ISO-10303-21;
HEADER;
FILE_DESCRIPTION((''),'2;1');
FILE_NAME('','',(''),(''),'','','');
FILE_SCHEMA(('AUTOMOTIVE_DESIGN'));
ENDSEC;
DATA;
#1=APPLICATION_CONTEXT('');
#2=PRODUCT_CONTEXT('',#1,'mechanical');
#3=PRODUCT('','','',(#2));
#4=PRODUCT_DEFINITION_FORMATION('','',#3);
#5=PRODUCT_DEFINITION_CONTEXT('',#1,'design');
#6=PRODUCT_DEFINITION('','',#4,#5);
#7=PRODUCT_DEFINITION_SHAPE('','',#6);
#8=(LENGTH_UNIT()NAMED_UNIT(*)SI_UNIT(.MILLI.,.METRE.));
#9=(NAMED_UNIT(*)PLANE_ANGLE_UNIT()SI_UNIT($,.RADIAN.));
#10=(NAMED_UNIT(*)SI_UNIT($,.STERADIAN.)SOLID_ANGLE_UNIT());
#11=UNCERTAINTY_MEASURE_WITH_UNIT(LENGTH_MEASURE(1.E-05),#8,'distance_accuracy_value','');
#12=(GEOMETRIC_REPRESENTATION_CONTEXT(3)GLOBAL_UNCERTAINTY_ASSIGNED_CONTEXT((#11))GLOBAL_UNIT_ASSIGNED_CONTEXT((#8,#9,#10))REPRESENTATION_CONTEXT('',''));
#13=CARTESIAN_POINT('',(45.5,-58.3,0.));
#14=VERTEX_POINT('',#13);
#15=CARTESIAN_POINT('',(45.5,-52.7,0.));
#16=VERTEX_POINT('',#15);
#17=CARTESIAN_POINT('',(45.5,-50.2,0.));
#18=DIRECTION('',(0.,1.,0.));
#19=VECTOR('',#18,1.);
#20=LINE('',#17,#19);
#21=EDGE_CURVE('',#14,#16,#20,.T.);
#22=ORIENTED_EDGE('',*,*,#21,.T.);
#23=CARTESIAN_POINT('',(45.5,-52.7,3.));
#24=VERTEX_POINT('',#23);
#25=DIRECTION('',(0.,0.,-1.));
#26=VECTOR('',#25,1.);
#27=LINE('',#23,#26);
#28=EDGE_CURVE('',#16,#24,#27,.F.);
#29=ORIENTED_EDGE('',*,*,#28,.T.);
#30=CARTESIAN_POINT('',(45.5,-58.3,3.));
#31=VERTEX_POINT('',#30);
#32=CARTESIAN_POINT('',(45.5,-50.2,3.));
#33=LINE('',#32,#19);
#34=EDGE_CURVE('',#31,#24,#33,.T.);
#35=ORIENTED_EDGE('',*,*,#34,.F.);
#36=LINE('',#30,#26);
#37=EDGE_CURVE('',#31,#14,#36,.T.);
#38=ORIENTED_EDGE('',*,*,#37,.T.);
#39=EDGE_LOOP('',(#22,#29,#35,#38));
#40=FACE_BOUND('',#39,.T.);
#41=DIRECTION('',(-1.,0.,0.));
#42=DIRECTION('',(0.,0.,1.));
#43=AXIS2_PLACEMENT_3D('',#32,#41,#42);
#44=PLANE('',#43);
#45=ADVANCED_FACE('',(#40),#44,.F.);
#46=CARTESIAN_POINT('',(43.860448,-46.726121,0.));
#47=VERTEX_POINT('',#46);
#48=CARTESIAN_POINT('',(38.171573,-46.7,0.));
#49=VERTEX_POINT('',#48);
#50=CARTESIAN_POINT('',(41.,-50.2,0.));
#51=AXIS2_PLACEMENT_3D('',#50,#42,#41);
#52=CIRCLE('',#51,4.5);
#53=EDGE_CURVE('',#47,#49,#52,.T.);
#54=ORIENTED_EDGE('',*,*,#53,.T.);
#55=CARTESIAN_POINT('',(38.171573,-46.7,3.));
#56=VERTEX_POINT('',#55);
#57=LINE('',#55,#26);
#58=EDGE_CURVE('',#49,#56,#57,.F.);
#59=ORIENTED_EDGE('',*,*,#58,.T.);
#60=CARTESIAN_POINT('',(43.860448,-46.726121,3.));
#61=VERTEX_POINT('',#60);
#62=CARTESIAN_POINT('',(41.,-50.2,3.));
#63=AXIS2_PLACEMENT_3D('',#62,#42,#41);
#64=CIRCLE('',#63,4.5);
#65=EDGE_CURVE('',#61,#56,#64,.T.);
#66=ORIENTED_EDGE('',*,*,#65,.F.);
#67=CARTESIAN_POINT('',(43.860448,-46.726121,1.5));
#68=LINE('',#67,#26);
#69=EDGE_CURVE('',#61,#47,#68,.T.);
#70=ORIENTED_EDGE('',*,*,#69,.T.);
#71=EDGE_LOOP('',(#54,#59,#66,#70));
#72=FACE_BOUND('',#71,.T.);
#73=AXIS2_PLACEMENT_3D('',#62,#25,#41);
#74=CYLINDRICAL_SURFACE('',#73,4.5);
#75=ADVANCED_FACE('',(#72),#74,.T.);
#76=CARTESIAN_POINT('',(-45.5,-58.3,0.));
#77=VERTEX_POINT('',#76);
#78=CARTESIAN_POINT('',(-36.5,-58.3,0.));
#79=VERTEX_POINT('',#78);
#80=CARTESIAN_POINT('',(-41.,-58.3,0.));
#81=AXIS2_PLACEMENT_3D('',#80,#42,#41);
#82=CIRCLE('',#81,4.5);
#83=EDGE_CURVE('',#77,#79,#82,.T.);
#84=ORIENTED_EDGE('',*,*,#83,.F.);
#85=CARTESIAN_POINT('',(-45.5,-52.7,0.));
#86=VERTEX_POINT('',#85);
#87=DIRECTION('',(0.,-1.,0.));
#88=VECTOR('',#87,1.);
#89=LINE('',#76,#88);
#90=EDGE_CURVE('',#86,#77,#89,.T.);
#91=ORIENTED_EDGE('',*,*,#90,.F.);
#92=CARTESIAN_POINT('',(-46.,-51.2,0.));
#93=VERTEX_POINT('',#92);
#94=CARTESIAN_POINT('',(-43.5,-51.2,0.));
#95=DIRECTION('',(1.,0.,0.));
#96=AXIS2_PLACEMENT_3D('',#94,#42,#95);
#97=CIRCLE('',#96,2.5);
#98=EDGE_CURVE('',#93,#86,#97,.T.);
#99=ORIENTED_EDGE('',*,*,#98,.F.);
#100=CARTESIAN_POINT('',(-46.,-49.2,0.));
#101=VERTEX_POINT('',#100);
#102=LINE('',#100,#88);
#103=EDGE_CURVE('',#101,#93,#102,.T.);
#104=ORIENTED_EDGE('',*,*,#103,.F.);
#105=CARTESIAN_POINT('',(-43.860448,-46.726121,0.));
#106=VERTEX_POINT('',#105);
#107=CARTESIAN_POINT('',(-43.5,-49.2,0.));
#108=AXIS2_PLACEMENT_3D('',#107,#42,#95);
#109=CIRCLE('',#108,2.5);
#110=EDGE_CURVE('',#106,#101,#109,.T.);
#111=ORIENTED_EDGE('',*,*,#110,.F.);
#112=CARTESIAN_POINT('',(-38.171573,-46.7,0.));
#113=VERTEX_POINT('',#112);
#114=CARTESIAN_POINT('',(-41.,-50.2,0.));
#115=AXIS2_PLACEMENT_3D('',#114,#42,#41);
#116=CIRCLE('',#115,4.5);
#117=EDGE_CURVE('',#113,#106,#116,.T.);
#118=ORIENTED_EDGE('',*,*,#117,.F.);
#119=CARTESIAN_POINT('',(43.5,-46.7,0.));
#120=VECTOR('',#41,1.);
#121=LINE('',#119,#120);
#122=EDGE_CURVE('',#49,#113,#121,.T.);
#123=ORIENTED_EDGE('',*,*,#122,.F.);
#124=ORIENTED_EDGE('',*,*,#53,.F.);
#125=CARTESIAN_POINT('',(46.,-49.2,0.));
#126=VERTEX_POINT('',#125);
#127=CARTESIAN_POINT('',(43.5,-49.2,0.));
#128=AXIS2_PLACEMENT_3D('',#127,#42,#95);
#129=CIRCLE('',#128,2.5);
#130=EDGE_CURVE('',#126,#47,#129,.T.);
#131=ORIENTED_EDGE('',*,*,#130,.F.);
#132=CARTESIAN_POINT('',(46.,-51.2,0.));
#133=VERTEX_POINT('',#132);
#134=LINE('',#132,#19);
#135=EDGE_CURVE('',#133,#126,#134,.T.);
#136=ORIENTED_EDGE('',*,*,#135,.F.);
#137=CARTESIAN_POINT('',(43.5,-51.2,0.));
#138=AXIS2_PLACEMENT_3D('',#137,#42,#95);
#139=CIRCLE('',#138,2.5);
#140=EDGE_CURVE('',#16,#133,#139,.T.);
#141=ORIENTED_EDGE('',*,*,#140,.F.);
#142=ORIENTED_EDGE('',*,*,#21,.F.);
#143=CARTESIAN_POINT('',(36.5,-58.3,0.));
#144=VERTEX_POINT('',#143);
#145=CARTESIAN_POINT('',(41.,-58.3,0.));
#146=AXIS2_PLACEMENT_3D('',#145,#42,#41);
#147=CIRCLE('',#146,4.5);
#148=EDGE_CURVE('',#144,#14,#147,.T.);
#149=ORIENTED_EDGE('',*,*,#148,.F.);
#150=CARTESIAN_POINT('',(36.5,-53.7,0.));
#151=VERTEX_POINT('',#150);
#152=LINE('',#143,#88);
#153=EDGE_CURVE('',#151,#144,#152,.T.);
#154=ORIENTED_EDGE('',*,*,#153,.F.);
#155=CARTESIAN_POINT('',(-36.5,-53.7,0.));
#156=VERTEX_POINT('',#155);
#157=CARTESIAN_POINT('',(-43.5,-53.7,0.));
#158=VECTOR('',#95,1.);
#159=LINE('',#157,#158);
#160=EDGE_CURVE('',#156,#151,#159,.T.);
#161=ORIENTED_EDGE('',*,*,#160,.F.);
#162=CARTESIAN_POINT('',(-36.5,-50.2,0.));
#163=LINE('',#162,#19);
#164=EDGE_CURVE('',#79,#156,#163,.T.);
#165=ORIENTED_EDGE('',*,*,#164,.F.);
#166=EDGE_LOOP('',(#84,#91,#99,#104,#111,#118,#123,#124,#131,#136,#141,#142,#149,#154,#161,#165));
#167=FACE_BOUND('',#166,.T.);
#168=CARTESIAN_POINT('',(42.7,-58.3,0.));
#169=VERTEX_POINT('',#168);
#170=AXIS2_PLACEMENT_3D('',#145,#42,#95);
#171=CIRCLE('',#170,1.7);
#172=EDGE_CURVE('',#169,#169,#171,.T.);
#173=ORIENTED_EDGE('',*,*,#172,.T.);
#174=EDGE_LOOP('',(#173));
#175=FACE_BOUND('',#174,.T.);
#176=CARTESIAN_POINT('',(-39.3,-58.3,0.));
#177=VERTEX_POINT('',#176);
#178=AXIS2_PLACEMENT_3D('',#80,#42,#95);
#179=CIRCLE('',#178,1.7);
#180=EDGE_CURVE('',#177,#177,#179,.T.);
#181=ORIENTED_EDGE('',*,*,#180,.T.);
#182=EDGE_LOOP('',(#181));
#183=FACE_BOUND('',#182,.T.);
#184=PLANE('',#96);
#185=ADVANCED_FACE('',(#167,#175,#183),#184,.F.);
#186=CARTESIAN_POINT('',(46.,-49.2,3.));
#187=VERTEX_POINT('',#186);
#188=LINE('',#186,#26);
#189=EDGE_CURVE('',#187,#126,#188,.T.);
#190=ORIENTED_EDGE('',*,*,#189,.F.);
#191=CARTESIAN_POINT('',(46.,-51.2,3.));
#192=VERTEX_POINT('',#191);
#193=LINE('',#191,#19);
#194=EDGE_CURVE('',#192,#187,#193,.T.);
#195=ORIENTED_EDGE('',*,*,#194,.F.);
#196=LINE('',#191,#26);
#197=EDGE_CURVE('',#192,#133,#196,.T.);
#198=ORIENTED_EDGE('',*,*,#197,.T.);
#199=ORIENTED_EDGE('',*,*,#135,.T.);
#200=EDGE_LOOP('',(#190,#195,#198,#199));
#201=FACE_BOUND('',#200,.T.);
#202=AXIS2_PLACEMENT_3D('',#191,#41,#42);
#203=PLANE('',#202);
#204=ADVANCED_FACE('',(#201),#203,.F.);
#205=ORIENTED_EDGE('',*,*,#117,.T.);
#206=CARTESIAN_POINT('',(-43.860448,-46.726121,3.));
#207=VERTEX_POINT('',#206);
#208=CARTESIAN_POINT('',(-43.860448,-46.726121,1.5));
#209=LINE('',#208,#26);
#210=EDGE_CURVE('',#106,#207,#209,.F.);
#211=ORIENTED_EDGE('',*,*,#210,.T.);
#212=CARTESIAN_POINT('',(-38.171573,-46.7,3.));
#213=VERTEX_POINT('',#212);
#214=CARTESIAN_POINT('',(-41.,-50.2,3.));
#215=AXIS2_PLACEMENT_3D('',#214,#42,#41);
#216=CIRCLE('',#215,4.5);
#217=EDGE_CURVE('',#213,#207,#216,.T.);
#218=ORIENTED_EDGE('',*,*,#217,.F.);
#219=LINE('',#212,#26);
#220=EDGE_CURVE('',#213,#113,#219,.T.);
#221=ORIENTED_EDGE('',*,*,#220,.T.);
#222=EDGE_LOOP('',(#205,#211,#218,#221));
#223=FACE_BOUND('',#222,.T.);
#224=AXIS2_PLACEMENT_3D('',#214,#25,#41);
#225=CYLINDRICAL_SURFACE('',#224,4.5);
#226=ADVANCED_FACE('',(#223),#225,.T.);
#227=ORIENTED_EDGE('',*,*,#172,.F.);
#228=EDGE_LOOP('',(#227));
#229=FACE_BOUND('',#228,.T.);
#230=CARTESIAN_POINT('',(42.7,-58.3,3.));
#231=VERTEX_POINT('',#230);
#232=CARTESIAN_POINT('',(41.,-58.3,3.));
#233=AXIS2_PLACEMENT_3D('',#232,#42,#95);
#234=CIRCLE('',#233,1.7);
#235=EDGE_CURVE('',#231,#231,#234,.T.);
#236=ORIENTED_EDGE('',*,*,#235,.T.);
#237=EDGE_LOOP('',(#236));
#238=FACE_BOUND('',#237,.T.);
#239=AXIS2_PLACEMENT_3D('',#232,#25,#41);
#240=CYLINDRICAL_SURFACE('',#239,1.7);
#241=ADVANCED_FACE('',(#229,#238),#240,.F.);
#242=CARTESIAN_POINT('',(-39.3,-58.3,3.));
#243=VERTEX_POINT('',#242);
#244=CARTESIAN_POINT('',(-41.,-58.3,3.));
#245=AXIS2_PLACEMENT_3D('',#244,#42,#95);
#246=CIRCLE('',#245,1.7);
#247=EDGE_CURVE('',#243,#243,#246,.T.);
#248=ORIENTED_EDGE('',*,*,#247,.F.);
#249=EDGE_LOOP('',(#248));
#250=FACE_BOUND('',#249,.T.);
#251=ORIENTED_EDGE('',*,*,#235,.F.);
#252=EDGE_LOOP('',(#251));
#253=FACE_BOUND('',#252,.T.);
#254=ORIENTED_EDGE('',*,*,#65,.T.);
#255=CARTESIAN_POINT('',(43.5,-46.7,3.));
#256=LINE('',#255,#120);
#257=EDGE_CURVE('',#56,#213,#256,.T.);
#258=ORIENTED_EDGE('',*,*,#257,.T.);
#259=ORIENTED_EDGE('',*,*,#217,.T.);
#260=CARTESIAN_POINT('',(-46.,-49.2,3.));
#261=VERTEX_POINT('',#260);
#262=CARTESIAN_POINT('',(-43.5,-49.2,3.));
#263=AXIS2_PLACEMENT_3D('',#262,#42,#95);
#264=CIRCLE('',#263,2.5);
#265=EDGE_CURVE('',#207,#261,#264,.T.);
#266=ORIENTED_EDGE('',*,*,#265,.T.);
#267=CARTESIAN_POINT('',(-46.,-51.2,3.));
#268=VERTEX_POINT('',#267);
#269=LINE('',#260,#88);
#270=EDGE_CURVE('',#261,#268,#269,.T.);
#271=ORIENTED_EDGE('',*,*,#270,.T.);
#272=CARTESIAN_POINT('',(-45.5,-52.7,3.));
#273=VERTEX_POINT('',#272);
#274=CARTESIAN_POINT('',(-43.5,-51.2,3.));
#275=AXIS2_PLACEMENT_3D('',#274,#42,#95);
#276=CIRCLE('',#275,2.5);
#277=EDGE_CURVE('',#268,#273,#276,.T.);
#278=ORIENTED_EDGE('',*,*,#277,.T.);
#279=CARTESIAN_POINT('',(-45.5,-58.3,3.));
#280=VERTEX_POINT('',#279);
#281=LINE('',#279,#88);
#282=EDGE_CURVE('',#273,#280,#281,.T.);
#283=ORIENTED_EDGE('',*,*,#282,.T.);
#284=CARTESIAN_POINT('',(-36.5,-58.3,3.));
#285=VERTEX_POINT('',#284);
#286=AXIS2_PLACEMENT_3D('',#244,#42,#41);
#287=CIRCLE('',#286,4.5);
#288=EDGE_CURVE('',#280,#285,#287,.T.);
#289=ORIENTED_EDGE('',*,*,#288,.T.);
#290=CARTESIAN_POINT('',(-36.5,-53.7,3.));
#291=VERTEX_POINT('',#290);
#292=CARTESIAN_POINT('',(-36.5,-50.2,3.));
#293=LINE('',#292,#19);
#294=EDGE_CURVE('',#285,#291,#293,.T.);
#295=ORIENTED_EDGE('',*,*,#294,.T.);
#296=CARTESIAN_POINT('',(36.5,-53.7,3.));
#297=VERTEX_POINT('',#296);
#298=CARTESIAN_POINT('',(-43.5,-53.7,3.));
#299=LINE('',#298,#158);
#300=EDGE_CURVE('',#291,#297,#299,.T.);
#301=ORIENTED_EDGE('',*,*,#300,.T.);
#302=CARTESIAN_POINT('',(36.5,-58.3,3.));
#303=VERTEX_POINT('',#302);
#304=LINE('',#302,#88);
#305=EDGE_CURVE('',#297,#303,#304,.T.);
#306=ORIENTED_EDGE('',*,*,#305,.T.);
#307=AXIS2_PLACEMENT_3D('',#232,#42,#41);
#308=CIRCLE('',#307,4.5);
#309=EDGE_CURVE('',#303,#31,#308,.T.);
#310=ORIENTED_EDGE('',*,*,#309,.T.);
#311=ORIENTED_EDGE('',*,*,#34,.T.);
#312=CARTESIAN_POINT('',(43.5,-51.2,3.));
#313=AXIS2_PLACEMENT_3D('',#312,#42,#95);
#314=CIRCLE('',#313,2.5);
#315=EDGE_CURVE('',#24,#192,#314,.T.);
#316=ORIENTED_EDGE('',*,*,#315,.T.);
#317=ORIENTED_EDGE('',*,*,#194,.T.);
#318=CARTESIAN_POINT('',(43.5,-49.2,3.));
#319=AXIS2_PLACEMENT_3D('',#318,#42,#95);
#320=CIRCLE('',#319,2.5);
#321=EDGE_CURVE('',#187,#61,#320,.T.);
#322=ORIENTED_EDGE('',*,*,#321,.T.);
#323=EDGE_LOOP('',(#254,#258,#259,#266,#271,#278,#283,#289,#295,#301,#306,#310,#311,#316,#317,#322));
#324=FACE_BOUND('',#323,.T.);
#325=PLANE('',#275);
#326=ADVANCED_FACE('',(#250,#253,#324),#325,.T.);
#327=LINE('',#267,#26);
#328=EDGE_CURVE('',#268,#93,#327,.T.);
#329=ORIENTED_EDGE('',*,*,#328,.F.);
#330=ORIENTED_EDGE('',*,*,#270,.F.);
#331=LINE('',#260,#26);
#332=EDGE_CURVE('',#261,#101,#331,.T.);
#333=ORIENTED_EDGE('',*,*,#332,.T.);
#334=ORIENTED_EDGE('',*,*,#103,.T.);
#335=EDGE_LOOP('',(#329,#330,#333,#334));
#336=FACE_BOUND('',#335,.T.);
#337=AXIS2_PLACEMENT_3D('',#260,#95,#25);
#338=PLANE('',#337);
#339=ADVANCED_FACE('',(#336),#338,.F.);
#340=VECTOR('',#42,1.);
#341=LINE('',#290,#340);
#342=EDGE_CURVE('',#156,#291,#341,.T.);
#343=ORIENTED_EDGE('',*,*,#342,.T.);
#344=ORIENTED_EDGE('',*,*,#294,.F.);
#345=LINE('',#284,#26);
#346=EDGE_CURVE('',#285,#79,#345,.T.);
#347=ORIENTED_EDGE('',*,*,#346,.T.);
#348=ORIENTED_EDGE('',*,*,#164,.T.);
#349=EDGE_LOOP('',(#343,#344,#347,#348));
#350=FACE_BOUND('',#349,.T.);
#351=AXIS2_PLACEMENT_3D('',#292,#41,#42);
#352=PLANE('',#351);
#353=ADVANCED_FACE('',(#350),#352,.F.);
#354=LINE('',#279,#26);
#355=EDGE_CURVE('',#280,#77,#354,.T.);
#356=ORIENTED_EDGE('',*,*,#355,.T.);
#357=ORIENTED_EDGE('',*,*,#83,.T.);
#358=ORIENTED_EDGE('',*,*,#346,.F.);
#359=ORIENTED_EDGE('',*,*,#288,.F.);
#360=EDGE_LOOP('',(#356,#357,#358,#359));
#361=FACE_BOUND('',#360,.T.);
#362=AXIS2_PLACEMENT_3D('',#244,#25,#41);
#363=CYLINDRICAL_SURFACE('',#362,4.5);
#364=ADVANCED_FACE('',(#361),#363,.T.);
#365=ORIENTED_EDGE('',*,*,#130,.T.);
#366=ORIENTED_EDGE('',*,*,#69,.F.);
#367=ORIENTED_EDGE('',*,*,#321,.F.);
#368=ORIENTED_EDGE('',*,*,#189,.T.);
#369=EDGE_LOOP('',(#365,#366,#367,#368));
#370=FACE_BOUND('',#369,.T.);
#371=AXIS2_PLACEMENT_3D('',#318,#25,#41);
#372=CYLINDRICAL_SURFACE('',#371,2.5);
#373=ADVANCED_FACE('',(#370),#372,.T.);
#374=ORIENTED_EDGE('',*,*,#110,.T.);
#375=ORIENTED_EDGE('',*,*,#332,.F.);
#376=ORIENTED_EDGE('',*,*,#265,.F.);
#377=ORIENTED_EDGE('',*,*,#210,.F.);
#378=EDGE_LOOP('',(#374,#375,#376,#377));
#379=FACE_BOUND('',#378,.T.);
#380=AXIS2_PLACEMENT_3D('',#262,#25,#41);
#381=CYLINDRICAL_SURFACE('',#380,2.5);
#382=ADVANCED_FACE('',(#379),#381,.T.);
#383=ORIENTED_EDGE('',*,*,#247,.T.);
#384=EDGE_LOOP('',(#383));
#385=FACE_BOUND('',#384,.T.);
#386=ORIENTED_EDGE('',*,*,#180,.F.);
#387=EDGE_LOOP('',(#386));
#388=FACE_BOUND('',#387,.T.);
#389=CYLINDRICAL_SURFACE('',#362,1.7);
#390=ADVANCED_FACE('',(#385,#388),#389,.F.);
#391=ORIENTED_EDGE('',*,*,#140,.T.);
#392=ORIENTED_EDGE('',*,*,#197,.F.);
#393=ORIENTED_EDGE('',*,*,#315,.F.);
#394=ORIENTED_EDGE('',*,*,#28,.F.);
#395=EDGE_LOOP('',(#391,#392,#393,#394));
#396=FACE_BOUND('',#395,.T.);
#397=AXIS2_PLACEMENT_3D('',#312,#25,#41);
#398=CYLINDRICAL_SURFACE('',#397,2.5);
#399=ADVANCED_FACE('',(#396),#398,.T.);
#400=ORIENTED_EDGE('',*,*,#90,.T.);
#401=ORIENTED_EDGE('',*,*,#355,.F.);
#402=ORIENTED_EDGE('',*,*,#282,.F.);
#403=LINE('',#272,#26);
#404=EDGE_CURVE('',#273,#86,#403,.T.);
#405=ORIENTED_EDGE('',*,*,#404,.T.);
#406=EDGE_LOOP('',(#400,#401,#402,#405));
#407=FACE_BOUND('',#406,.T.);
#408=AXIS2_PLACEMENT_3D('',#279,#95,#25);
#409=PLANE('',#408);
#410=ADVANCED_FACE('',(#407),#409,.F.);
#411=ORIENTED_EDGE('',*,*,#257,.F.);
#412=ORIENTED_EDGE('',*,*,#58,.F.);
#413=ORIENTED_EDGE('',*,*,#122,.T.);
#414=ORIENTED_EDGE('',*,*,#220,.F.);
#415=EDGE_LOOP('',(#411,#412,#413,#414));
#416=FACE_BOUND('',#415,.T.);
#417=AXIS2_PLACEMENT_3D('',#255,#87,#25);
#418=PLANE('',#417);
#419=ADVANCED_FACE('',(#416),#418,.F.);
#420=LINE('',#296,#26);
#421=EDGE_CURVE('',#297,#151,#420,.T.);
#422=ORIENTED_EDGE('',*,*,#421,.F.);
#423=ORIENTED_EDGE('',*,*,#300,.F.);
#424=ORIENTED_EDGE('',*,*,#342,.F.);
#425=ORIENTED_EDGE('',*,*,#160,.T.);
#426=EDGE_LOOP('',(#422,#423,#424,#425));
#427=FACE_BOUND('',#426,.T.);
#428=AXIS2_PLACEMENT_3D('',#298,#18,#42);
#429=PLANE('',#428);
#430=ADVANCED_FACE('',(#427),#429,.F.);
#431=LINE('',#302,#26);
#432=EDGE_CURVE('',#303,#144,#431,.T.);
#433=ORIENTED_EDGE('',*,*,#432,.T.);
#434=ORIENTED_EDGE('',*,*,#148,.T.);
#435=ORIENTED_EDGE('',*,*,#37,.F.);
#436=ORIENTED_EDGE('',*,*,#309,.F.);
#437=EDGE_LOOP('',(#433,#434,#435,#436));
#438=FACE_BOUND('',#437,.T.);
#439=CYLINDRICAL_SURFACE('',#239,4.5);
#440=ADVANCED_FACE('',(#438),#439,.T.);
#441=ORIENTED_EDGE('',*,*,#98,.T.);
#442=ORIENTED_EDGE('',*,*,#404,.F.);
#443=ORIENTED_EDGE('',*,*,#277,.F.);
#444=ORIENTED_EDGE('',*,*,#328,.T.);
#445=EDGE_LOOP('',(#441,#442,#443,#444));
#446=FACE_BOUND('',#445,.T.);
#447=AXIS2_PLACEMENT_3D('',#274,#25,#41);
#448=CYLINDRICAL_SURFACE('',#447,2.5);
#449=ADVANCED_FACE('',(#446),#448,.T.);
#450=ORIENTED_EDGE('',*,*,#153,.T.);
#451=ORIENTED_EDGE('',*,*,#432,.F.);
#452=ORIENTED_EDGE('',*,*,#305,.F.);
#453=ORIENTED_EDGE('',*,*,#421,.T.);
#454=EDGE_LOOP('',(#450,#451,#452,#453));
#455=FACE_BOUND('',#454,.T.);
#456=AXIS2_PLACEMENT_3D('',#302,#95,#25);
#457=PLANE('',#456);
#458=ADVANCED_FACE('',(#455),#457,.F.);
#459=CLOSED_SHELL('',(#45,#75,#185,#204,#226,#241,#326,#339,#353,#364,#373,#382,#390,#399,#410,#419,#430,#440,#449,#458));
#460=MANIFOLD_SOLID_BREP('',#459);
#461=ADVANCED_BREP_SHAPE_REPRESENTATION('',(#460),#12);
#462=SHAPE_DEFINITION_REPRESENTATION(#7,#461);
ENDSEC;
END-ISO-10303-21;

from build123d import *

# Parameters (mm, degrees)
F_01_REMOVABLE_UPPER_CROSSBAR_DEPTH = 3
S02_FASTENING_LUG_0_R               = 1.7
F_02_FASTENING_LUG_0_DEPTH          = 3
S03_FASTENING_LUG_1_R               = 1.7
F_03_FASTENING_LUG_1_DEPTH          = 3


with BuildPart() as part:
    # S01 - Removable upper crossbar → 01 - Removable upper crossbar (new body)
    with BuildSketch(Plane.XY):
        with BuildLine():
            Line((-43.5, -53.7), (43.5, -53.7))
            ThreePointArc((43.5, -53.7), (45.267766953, -52.967766953), (46, -51.2))
            Line((46, -51.2), (46, -49.2))
            ThreePointArc((46, -49.2), (45.267766953, -47.432233047), (43.5, -46.7))
            Line((43.5, -46.7), (-43.5, -46.7))
            ThreePointArc((-43.5, -46.7), (-45.267766953, -47.432233047), (-46, -49.2))
            Line((-46, -49.2), (-46, -51.2))
            ThreePointArc((-46, -51.2), (-45.267766953, -52.967766953), (-43.5, -53.7))
        make_face()
    extrude(amount=F_01_REMOVABLE_UPPER_CROSSBAR_DEPTH)

    # S02 - Fastening lug 0 → 02 - Fastening lug 0 (add)
    with BuildSketch(Plane.XY):
        with BuildLine():
            Line((-45.5, -58.3), (-45.5, -50.2))
            ThreePointArc((-45.5, -50.2), (-41, -45.7), (-36.5, -50.2))
            Line((-36.5, -50.2), (-36.5, -58.3))
            ThreePointArc((-36.5, -58.3), (-41, -62.8), (-45.5, -58.3))
        make_face()
        with Locations((-41, -58.3)):
            Circle(S02_FASTENING_LUG_0_R, mode=Mode.SUBTRACT)
    extrude(amount=F_02_FASTENING_LUG_0_DEPTH)

    # S03 - Fastening lug 1 → 03 - Fastening lug 1 (add)
    with BuildSketch(Plane.XY):
        with BuildLine():
            Line((36.5, -58.3), (36.5, -50.2))
            ThreePointArc((36.5, -50.2), (41, -45.7), (45.5, -50.2))
            Line((45.5, -50.2), (45.5, -58.3))
            ThreePointArc((45.5, -58.3), (41, -62.8), (36.5, -58.3))
        make_face()
        with Locations((41, -58.3)):
            Circle(S03_FASTENING_LUG_1_R, mode=Mode.SUBTRACT)
    extrude(amount=F_03_FASTENING_LUG_1_DEPTH)


solid = part.part
